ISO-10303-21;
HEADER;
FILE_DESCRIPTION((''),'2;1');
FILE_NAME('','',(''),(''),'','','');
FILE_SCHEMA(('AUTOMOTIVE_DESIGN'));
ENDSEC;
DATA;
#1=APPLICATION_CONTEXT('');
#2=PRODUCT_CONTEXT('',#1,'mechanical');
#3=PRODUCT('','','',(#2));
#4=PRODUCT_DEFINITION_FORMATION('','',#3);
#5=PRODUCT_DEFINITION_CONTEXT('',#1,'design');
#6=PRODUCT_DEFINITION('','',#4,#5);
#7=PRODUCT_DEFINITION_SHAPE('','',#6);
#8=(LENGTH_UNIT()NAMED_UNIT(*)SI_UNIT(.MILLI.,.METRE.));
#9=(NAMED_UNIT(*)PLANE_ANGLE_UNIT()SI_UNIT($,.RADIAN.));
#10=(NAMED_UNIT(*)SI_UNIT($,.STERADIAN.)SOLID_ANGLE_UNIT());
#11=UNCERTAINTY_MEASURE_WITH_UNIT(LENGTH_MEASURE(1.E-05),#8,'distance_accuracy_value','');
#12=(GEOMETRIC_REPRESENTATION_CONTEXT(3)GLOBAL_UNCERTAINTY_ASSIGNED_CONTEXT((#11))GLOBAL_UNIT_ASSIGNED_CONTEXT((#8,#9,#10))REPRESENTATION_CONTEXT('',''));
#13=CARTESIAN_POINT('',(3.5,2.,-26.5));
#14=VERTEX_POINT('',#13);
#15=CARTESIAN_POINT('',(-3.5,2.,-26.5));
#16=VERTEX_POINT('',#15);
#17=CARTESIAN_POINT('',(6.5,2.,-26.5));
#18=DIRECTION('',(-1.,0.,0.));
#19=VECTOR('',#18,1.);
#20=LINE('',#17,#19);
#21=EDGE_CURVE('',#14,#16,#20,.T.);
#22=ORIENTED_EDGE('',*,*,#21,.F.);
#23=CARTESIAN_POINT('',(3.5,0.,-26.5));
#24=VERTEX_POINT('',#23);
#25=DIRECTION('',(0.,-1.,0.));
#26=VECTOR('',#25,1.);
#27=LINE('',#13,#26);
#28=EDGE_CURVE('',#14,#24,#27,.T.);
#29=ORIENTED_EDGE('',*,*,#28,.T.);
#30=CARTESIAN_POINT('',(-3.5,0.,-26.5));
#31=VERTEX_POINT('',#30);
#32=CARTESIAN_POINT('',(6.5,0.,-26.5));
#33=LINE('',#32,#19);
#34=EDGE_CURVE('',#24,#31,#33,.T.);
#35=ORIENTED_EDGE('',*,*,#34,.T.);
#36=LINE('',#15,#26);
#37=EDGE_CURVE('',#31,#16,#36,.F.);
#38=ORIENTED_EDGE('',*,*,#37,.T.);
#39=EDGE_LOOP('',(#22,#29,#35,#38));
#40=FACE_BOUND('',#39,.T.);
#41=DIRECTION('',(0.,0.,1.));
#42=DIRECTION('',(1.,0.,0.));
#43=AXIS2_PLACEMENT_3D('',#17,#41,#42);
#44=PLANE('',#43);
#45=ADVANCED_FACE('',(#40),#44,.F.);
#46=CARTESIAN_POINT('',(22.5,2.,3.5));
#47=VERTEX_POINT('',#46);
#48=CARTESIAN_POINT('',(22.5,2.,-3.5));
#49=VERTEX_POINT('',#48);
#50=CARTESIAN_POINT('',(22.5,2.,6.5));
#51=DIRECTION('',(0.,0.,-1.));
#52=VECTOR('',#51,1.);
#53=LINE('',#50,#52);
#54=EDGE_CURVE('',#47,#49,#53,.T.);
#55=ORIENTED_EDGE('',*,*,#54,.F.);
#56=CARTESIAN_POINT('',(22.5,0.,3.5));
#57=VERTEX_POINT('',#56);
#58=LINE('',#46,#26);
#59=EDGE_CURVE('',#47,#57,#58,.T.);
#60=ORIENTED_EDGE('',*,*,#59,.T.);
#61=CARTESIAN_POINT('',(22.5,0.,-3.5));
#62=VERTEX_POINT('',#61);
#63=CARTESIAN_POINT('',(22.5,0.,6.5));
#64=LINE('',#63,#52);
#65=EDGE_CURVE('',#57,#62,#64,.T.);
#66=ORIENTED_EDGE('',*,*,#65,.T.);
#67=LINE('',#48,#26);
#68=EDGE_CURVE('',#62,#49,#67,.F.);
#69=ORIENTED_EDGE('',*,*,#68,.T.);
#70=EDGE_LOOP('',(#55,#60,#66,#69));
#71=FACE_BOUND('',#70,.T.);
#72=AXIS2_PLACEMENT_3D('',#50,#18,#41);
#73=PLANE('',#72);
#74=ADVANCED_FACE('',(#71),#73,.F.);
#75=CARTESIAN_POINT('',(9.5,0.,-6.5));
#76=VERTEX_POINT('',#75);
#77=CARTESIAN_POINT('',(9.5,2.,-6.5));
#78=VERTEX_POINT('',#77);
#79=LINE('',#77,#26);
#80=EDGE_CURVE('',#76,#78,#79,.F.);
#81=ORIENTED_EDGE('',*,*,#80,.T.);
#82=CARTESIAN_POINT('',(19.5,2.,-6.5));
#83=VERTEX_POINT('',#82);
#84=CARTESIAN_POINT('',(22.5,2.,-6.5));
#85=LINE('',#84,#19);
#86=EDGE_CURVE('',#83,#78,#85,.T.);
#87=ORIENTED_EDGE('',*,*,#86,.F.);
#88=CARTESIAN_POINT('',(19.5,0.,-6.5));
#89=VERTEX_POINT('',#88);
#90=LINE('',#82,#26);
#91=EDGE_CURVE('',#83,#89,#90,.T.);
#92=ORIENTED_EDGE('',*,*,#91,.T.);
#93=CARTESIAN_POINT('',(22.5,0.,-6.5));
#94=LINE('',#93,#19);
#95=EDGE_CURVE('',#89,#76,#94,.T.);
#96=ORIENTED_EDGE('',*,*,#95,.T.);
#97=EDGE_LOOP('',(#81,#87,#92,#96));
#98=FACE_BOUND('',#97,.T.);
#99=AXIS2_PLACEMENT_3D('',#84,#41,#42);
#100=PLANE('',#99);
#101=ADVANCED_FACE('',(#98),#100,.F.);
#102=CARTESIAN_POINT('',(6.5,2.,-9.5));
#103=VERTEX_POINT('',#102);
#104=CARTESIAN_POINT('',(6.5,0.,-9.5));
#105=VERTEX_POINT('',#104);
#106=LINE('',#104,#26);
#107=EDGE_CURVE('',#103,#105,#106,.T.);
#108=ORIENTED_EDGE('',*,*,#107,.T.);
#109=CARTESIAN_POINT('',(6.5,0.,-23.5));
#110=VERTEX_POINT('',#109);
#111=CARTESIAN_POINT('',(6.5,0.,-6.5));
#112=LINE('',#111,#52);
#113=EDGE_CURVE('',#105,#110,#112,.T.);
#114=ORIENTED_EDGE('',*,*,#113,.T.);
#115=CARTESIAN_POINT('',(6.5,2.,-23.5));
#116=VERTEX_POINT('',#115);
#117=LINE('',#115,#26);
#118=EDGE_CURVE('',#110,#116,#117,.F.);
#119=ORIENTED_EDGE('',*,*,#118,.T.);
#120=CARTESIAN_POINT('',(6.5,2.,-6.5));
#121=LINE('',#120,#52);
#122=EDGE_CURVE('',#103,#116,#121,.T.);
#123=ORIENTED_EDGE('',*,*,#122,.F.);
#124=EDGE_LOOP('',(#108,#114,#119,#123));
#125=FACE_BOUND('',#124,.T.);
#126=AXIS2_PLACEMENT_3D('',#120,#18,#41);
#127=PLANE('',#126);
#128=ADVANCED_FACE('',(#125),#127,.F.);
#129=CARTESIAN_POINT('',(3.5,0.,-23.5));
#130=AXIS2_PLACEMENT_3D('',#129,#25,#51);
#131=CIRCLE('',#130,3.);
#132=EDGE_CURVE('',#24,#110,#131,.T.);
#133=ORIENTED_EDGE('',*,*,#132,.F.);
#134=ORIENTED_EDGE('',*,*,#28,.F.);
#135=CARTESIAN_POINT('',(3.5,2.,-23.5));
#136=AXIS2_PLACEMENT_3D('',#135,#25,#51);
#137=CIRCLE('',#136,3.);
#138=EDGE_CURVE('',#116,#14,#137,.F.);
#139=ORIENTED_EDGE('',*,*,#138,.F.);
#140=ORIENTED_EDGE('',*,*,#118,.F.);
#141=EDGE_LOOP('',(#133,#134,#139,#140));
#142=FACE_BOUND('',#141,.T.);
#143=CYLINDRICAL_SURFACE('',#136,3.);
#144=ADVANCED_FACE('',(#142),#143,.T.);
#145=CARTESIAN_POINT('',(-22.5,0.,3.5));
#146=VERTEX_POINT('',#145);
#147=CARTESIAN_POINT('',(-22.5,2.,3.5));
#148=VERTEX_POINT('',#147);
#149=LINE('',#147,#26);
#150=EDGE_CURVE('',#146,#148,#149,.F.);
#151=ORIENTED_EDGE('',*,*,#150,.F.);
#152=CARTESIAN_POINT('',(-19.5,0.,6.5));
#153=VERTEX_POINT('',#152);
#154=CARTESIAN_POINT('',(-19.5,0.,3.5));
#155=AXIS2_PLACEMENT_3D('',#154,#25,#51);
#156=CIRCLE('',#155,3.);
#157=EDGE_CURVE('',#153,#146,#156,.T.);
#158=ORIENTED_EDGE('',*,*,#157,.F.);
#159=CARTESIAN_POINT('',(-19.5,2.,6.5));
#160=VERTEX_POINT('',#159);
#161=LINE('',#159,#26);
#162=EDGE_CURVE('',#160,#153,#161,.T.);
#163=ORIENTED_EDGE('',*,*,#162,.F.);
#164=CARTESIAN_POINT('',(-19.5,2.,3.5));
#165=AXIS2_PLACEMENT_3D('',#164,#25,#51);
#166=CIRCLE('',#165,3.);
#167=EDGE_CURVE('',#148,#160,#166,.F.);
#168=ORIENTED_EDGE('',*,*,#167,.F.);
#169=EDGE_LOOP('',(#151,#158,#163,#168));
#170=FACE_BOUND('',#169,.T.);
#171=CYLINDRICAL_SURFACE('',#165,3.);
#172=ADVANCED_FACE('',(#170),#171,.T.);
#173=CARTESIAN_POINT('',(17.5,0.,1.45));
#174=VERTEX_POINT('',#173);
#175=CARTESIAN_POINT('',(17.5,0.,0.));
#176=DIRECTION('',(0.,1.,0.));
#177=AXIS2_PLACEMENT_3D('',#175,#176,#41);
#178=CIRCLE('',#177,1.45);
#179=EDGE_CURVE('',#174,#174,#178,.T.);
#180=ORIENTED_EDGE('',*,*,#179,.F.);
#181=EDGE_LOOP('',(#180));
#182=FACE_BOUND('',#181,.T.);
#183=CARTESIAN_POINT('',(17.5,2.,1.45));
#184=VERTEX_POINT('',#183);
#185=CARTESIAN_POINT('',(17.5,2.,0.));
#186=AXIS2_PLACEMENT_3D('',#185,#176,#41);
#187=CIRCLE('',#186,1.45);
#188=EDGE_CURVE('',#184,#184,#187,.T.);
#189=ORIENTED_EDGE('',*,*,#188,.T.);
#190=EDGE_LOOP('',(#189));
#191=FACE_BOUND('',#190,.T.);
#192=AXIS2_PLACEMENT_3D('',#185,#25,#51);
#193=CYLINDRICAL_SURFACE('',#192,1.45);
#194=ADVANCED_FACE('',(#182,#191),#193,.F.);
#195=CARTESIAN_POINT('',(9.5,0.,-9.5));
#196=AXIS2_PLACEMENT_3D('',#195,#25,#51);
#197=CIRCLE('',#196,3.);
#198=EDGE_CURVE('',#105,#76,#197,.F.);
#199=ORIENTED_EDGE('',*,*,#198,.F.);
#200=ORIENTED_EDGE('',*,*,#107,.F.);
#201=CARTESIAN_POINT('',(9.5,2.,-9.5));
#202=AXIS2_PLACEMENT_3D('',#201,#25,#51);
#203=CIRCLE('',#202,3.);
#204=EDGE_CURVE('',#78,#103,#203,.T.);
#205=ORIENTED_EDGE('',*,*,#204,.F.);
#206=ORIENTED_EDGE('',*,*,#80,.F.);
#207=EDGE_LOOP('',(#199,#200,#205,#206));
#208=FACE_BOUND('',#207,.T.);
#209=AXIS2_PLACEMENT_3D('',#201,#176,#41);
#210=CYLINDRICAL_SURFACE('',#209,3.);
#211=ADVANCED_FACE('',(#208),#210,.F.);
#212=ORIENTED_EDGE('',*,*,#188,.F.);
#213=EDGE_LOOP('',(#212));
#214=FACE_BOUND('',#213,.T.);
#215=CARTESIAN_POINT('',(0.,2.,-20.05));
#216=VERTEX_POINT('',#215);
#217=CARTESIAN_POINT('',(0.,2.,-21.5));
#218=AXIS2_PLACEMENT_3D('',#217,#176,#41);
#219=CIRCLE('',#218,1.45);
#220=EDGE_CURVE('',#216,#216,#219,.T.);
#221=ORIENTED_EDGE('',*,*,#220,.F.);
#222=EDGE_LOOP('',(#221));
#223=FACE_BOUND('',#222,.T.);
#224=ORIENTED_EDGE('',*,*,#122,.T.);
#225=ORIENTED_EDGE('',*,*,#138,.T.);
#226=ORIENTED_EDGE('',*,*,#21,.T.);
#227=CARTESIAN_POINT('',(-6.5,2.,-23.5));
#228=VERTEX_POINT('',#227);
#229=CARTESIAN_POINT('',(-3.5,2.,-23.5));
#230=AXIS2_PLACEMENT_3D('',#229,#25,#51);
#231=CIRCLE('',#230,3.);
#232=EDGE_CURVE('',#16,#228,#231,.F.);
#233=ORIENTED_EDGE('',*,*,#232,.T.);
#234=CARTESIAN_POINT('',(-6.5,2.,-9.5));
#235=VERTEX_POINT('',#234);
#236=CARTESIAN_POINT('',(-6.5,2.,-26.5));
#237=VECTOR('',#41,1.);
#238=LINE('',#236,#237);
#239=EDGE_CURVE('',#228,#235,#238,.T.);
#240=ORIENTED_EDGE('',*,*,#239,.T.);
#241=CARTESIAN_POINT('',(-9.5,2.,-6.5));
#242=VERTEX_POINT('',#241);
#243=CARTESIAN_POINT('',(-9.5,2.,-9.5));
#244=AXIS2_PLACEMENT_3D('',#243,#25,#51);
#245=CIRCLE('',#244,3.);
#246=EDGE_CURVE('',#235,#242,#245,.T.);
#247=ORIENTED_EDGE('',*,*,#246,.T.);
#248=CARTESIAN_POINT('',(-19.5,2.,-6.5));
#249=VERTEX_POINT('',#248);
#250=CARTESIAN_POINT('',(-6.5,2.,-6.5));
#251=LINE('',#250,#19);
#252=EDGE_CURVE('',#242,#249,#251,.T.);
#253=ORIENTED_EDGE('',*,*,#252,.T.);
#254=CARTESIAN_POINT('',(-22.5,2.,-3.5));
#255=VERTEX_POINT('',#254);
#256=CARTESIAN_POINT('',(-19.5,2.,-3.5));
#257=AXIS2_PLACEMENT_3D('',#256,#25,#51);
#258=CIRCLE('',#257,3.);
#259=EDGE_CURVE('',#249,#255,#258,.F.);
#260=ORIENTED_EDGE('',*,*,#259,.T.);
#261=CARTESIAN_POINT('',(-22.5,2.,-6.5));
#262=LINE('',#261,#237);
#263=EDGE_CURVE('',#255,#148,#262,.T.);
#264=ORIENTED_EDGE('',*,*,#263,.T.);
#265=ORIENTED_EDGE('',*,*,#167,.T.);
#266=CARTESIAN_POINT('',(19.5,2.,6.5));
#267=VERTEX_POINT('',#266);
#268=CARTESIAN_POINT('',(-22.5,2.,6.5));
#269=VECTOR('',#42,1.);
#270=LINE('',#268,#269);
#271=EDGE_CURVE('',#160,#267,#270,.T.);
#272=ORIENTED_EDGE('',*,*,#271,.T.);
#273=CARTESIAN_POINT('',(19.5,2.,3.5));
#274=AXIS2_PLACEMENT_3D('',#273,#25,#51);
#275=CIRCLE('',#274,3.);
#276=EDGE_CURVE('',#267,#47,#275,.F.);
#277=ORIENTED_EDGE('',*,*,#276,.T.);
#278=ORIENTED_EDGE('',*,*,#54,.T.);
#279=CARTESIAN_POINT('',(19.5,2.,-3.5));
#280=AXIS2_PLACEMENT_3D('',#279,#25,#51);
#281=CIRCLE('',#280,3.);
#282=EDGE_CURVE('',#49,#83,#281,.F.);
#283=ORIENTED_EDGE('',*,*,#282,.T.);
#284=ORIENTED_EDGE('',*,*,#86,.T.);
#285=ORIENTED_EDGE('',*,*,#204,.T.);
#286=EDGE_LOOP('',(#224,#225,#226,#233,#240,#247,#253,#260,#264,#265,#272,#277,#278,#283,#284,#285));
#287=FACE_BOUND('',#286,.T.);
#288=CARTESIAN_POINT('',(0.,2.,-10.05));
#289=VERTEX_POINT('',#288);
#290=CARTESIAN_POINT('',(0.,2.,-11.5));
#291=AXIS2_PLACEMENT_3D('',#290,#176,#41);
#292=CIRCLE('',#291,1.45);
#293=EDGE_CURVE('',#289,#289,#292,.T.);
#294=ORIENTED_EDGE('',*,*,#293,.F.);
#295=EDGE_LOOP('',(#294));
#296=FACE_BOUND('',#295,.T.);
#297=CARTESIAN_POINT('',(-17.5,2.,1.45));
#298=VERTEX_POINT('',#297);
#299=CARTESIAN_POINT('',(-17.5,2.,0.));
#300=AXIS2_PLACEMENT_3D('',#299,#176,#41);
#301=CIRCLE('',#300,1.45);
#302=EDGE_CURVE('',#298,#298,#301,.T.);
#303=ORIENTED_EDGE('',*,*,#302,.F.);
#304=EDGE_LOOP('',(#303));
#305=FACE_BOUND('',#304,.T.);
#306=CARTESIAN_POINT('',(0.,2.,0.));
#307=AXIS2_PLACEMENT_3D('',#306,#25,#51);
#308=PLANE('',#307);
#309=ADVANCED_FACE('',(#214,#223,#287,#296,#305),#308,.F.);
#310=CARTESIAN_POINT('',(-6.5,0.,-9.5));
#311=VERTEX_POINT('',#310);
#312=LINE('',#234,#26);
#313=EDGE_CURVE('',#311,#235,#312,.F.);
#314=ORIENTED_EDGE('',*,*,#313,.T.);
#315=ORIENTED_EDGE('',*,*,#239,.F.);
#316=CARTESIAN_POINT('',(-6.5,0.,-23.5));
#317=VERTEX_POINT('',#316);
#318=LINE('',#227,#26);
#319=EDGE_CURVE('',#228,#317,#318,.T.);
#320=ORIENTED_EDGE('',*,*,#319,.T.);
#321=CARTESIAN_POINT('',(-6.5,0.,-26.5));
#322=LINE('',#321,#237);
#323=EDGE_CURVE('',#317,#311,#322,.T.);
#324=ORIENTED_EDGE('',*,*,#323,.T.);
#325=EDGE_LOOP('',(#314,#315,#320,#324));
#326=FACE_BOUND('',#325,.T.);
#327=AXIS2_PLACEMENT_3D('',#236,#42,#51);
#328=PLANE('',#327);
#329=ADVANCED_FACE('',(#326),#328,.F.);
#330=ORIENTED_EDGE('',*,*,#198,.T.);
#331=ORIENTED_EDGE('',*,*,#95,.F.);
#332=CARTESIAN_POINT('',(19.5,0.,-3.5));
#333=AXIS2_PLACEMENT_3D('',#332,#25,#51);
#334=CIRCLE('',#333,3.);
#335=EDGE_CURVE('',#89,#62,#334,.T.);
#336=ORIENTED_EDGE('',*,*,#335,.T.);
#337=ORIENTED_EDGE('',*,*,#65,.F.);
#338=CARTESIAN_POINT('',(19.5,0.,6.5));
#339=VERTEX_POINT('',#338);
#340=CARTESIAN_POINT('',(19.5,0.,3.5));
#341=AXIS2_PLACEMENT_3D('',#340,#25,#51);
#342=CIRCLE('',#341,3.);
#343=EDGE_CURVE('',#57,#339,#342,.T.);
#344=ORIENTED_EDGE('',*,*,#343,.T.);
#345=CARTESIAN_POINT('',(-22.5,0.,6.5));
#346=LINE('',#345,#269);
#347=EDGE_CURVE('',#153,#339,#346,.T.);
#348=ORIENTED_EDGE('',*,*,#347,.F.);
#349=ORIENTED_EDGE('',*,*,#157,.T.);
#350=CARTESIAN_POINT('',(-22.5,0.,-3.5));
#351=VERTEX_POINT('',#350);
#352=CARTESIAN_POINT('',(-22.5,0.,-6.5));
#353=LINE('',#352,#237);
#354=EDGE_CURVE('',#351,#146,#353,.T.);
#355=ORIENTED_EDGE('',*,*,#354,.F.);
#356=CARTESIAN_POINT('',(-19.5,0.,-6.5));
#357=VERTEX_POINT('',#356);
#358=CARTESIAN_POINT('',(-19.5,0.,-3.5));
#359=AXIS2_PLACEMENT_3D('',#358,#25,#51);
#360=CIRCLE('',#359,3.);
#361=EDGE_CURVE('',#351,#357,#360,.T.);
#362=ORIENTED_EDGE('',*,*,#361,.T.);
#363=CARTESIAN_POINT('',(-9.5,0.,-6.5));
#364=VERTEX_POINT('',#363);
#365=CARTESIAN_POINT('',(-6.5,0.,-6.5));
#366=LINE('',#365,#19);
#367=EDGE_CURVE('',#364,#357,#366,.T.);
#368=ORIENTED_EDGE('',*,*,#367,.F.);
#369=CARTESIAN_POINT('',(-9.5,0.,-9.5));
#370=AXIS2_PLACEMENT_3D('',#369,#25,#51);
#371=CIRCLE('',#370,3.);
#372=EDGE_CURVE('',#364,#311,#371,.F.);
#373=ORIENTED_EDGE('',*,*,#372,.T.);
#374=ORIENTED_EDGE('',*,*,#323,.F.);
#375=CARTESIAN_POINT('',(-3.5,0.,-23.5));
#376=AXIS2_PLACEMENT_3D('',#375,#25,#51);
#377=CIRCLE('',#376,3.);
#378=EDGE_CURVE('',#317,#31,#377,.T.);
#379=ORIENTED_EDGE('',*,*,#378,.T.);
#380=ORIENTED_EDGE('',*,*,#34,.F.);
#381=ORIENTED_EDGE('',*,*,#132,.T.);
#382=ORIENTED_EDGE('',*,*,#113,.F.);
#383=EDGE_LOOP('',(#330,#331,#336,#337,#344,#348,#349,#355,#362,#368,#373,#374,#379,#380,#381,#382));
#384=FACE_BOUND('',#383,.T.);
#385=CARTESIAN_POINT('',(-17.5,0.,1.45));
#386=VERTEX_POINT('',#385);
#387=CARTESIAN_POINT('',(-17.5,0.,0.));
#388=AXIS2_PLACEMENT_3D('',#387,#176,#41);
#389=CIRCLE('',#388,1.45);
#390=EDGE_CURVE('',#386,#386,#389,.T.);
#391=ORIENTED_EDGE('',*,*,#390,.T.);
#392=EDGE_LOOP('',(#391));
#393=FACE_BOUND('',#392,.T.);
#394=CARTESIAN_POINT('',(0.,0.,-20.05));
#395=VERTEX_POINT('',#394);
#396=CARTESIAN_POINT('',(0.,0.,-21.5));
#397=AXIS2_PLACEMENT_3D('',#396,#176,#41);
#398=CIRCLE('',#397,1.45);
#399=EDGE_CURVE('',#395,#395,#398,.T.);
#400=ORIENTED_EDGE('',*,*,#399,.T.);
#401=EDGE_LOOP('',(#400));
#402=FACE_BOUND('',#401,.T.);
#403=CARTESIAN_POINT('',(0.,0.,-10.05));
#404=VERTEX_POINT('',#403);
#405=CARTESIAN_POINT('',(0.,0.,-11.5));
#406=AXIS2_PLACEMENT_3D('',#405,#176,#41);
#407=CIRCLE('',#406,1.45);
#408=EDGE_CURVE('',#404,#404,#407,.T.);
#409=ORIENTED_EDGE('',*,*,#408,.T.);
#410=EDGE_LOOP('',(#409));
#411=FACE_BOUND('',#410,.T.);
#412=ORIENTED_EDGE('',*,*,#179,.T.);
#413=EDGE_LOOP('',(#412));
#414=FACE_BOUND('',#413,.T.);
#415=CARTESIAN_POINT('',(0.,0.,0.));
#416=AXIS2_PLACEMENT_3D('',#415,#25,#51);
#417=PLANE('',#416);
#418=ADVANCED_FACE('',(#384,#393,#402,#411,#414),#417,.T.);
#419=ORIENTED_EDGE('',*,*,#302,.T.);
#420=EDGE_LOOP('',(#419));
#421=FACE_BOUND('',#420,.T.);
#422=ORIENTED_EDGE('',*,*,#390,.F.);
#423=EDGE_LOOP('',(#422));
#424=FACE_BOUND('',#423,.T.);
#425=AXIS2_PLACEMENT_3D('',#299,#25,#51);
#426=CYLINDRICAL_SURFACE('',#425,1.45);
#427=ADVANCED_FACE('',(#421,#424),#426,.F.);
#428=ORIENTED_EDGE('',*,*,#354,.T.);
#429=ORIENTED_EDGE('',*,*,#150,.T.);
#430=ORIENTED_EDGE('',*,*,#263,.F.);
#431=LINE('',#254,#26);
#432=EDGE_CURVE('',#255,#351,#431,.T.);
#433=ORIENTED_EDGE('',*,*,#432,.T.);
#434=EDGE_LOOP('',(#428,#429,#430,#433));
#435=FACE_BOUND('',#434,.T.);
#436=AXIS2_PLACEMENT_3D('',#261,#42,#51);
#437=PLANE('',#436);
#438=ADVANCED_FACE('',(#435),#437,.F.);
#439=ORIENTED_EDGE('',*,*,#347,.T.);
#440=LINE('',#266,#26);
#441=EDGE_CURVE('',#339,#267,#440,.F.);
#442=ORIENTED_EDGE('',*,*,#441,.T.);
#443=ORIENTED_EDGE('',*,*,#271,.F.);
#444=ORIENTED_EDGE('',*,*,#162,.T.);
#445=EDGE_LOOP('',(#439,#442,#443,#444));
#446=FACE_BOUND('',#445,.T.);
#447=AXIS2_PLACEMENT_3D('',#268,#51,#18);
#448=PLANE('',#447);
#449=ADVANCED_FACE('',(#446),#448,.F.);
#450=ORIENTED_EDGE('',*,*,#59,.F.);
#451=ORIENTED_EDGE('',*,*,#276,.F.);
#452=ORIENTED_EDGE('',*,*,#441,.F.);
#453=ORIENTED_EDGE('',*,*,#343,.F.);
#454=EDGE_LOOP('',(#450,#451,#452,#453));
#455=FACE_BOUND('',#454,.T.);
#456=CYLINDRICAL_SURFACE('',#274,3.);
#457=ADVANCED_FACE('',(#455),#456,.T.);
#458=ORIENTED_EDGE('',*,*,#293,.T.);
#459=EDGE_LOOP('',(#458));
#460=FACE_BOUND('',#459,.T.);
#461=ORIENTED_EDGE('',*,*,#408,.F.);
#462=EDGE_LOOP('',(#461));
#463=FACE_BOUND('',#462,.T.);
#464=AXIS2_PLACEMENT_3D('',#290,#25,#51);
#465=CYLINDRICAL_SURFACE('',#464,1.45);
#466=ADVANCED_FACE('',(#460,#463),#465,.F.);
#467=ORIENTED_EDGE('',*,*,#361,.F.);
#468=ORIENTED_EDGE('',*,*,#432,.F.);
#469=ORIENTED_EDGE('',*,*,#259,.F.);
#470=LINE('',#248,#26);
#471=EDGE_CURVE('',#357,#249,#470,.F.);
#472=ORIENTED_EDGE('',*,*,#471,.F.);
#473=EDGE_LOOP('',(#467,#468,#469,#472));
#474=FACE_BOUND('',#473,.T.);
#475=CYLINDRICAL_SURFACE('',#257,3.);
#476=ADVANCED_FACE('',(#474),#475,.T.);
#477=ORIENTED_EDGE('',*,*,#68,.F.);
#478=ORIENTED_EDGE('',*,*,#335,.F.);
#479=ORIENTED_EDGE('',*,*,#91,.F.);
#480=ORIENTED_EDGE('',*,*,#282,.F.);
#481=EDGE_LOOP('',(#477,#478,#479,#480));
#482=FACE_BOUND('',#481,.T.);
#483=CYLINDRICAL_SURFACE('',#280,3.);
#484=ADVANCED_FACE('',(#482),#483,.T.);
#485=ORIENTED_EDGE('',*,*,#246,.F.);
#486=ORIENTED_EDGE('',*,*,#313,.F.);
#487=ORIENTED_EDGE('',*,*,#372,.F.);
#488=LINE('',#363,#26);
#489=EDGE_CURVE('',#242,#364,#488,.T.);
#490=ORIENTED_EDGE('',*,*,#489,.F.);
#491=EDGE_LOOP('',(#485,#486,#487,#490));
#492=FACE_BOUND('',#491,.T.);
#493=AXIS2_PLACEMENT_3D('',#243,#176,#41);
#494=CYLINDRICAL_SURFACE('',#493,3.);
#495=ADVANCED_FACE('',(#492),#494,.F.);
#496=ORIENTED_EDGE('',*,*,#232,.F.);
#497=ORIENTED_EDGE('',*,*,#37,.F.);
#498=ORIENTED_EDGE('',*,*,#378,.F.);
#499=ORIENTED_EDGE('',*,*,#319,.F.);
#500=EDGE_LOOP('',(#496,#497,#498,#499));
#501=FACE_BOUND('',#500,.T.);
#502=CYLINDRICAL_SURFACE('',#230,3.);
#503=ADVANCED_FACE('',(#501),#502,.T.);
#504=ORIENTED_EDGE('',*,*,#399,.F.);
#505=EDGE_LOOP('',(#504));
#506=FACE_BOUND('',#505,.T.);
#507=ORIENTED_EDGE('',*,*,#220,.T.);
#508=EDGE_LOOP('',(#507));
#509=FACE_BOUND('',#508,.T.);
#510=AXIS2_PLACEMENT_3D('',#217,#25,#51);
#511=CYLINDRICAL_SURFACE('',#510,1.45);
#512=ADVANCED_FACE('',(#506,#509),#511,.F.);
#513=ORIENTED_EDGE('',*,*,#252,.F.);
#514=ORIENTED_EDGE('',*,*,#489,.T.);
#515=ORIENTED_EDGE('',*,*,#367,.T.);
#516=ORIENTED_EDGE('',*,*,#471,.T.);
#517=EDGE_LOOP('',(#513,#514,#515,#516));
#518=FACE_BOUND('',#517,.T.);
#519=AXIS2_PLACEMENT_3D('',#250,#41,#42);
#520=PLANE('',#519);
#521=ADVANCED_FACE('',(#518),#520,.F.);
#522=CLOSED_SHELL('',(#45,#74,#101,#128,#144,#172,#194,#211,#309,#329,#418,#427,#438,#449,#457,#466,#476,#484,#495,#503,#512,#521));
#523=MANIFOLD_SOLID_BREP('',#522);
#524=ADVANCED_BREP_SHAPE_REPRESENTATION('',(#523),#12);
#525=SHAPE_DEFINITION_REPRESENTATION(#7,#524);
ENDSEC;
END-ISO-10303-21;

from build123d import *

# Parameters (mm, degrees)
SKETCH_1_R      = 1.45
EXTRUDE_1_DEPTH = 2
FILLET_1_R      = 3


with BuildPart() as part:
    # 草图1 → 凸台-拉伸1 (new body)
    with BuildSketch(Plane(origin=(0, 0, 0), x_dir=(1, 0, 0), z_dir=(0, 1, 0))):
        Polygon((-22.5, 6.5), (-22.5, -6.5), (22.5, -6.5), (22.5, 6.5), (6.5, 6.5), (6.5, 26.5), (-6.5, 26.5), (-6.5, 6.5), align=None)
        with Locations(Location((-17.5, 0, 0), (0, 0, 270))):
            Circle(SKETCH_1_R, mode=Mode.SUBTRACT)
        with Locations(Location((17.5, 0, 0), (0, 0, 270))):
            Circle(SKETCH_1_R, mode=Mode.SUBTRACT)
        with Locations(Location((0, 11.5, 0), (0, 0, 270))):
            Circle(SKETCH_1_R, mode=Mode.SUBTRACT)
        with Locations(Location((0, 21.5, 0), (0, 0, 270))):
            Circle(SKETCH_1_R, mode=Mode.SUBTRACT)
    extrude(amount=EXTRUDE_1_DEPTH)

    # 圆角1
    fillet_1_edges = [part.edges().sort_by_distance(p)[0] for p in [
        (22.5, 1, -6.5),
        (22.5, 1, 6.5),
        (-22.5, 1, 6.5),
        (-22.5, 1, -6.5),
        (-6.5, 1, -6.5),
        (-6.5, 1, -26.5),
        (6.5, 1, -26.5),
        (6.5, 1, -6.5),
    ]]
    fillet(fillet_1_edges, radius=FILLET_1_R)


solid = part.part
